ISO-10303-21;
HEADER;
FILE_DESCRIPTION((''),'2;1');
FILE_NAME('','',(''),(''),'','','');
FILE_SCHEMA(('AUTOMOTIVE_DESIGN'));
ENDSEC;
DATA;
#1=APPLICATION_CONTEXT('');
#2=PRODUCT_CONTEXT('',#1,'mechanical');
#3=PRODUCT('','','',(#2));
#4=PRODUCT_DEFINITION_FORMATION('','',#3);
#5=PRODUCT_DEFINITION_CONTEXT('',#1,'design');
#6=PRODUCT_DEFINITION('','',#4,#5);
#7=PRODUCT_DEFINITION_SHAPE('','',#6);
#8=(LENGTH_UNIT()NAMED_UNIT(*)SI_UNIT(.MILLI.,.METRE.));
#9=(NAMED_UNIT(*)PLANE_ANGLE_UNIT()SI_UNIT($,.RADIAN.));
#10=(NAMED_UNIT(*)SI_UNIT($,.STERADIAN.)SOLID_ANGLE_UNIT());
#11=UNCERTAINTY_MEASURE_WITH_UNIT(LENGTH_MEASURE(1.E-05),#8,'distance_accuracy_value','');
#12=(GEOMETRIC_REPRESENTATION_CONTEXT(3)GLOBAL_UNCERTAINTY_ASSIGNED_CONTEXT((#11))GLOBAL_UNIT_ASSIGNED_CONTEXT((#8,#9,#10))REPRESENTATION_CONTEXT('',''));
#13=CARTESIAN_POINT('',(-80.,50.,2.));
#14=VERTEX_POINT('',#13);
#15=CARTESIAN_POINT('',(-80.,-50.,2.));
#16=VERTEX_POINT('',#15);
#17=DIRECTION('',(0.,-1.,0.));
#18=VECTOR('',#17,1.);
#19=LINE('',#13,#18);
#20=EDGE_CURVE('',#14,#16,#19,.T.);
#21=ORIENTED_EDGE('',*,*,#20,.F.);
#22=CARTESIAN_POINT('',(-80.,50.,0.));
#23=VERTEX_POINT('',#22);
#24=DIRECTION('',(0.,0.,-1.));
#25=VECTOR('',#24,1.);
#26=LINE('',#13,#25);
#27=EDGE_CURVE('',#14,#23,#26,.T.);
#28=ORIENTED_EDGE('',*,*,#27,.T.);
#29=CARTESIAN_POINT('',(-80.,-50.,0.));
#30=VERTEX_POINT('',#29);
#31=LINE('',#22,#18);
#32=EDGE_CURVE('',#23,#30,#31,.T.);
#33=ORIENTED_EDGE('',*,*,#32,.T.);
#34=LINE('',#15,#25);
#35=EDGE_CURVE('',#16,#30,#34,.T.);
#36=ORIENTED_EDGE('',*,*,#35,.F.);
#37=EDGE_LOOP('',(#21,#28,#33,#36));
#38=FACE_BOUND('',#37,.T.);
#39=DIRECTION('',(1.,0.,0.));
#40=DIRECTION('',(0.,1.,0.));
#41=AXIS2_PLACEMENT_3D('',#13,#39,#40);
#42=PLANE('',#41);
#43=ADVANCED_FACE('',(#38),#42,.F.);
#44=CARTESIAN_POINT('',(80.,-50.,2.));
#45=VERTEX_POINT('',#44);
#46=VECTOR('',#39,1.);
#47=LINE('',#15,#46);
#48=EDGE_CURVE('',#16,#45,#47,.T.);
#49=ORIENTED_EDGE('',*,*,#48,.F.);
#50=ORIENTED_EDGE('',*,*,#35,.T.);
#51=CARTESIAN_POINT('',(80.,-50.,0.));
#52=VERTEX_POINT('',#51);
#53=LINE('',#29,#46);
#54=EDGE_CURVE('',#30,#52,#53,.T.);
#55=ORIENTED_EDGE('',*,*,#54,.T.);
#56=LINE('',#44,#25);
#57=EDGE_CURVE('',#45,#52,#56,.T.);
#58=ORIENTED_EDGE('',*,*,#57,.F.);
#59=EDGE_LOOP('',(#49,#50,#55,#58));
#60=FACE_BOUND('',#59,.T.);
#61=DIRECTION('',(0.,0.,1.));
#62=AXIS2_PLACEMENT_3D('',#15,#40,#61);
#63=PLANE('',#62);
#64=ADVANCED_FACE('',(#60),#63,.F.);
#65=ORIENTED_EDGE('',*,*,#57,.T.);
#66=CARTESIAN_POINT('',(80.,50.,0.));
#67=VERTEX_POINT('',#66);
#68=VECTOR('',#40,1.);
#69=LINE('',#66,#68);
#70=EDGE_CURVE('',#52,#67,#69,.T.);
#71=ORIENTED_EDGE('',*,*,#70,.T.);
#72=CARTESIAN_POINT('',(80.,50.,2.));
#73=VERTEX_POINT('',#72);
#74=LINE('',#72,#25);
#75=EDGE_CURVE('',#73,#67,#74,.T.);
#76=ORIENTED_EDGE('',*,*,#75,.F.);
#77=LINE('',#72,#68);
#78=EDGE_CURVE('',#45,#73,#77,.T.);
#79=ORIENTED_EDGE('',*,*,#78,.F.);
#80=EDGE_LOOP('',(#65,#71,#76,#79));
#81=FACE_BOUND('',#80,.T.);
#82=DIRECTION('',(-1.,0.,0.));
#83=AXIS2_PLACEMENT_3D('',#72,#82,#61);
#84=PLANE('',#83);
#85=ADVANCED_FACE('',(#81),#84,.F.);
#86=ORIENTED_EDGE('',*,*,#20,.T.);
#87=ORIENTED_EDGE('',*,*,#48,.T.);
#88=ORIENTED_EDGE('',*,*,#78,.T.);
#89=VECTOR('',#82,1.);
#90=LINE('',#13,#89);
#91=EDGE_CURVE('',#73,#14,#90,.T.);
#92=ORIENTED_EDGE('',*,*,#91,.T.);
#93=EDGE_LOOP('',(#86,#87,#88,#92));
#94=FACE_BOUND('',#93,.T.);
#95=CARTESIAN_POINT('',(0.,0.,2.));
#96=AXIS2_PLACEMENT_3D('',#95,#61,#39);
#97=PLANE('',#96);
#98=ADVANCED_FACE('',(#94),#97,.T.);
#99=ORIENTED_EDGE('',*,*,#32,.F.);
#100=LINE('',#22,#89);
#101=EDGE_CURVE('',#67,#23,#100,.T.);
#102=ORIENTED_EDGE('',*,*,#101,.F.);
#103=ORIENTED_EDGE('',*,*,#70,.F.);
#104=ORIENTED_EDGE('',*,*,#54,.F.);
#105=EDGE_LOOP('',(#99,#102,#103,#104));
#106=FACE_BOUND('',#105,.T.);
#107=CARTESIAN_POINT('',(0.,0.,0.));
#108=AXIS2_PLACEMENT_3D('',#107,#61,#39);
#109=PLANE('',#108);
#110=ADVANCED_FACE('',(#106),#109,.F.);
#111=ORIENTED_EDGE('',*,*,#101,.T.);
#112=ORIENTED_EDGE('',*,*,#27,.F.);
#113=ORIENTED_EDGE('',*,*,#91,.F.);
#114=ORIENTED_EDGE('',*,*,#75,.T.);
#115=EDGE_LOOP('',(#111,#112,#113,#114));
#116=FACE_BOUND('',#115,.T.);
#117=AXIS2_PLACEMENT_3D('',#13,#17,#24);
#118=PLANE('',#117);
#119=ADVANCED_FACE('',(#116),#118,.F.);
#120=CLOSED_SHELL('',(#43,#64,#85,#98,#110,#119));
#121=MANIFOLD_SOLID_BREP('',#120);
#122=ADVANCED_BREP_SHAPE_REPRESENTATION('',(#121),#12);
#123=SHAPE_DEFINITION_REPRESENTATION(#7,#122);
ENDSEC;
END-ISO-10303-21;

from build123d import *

# Parameters (mm, degrees)
ESQUISSE1_W        = 160
ESQUISSE1_H        = 100
BOSS_EXTRU_1_DEPTH = 2


with BuildPart() as part:
    # Esquisse1 → Boss.-Extru.1 (new body)
    with BuildSketch(Plane.XY):
        Rectangle(ESQUISSE1_W, ESQUISSE1_H)
    extrude(amount=BOSS_EXTRU_1_DEPTH)


solid = part.part
